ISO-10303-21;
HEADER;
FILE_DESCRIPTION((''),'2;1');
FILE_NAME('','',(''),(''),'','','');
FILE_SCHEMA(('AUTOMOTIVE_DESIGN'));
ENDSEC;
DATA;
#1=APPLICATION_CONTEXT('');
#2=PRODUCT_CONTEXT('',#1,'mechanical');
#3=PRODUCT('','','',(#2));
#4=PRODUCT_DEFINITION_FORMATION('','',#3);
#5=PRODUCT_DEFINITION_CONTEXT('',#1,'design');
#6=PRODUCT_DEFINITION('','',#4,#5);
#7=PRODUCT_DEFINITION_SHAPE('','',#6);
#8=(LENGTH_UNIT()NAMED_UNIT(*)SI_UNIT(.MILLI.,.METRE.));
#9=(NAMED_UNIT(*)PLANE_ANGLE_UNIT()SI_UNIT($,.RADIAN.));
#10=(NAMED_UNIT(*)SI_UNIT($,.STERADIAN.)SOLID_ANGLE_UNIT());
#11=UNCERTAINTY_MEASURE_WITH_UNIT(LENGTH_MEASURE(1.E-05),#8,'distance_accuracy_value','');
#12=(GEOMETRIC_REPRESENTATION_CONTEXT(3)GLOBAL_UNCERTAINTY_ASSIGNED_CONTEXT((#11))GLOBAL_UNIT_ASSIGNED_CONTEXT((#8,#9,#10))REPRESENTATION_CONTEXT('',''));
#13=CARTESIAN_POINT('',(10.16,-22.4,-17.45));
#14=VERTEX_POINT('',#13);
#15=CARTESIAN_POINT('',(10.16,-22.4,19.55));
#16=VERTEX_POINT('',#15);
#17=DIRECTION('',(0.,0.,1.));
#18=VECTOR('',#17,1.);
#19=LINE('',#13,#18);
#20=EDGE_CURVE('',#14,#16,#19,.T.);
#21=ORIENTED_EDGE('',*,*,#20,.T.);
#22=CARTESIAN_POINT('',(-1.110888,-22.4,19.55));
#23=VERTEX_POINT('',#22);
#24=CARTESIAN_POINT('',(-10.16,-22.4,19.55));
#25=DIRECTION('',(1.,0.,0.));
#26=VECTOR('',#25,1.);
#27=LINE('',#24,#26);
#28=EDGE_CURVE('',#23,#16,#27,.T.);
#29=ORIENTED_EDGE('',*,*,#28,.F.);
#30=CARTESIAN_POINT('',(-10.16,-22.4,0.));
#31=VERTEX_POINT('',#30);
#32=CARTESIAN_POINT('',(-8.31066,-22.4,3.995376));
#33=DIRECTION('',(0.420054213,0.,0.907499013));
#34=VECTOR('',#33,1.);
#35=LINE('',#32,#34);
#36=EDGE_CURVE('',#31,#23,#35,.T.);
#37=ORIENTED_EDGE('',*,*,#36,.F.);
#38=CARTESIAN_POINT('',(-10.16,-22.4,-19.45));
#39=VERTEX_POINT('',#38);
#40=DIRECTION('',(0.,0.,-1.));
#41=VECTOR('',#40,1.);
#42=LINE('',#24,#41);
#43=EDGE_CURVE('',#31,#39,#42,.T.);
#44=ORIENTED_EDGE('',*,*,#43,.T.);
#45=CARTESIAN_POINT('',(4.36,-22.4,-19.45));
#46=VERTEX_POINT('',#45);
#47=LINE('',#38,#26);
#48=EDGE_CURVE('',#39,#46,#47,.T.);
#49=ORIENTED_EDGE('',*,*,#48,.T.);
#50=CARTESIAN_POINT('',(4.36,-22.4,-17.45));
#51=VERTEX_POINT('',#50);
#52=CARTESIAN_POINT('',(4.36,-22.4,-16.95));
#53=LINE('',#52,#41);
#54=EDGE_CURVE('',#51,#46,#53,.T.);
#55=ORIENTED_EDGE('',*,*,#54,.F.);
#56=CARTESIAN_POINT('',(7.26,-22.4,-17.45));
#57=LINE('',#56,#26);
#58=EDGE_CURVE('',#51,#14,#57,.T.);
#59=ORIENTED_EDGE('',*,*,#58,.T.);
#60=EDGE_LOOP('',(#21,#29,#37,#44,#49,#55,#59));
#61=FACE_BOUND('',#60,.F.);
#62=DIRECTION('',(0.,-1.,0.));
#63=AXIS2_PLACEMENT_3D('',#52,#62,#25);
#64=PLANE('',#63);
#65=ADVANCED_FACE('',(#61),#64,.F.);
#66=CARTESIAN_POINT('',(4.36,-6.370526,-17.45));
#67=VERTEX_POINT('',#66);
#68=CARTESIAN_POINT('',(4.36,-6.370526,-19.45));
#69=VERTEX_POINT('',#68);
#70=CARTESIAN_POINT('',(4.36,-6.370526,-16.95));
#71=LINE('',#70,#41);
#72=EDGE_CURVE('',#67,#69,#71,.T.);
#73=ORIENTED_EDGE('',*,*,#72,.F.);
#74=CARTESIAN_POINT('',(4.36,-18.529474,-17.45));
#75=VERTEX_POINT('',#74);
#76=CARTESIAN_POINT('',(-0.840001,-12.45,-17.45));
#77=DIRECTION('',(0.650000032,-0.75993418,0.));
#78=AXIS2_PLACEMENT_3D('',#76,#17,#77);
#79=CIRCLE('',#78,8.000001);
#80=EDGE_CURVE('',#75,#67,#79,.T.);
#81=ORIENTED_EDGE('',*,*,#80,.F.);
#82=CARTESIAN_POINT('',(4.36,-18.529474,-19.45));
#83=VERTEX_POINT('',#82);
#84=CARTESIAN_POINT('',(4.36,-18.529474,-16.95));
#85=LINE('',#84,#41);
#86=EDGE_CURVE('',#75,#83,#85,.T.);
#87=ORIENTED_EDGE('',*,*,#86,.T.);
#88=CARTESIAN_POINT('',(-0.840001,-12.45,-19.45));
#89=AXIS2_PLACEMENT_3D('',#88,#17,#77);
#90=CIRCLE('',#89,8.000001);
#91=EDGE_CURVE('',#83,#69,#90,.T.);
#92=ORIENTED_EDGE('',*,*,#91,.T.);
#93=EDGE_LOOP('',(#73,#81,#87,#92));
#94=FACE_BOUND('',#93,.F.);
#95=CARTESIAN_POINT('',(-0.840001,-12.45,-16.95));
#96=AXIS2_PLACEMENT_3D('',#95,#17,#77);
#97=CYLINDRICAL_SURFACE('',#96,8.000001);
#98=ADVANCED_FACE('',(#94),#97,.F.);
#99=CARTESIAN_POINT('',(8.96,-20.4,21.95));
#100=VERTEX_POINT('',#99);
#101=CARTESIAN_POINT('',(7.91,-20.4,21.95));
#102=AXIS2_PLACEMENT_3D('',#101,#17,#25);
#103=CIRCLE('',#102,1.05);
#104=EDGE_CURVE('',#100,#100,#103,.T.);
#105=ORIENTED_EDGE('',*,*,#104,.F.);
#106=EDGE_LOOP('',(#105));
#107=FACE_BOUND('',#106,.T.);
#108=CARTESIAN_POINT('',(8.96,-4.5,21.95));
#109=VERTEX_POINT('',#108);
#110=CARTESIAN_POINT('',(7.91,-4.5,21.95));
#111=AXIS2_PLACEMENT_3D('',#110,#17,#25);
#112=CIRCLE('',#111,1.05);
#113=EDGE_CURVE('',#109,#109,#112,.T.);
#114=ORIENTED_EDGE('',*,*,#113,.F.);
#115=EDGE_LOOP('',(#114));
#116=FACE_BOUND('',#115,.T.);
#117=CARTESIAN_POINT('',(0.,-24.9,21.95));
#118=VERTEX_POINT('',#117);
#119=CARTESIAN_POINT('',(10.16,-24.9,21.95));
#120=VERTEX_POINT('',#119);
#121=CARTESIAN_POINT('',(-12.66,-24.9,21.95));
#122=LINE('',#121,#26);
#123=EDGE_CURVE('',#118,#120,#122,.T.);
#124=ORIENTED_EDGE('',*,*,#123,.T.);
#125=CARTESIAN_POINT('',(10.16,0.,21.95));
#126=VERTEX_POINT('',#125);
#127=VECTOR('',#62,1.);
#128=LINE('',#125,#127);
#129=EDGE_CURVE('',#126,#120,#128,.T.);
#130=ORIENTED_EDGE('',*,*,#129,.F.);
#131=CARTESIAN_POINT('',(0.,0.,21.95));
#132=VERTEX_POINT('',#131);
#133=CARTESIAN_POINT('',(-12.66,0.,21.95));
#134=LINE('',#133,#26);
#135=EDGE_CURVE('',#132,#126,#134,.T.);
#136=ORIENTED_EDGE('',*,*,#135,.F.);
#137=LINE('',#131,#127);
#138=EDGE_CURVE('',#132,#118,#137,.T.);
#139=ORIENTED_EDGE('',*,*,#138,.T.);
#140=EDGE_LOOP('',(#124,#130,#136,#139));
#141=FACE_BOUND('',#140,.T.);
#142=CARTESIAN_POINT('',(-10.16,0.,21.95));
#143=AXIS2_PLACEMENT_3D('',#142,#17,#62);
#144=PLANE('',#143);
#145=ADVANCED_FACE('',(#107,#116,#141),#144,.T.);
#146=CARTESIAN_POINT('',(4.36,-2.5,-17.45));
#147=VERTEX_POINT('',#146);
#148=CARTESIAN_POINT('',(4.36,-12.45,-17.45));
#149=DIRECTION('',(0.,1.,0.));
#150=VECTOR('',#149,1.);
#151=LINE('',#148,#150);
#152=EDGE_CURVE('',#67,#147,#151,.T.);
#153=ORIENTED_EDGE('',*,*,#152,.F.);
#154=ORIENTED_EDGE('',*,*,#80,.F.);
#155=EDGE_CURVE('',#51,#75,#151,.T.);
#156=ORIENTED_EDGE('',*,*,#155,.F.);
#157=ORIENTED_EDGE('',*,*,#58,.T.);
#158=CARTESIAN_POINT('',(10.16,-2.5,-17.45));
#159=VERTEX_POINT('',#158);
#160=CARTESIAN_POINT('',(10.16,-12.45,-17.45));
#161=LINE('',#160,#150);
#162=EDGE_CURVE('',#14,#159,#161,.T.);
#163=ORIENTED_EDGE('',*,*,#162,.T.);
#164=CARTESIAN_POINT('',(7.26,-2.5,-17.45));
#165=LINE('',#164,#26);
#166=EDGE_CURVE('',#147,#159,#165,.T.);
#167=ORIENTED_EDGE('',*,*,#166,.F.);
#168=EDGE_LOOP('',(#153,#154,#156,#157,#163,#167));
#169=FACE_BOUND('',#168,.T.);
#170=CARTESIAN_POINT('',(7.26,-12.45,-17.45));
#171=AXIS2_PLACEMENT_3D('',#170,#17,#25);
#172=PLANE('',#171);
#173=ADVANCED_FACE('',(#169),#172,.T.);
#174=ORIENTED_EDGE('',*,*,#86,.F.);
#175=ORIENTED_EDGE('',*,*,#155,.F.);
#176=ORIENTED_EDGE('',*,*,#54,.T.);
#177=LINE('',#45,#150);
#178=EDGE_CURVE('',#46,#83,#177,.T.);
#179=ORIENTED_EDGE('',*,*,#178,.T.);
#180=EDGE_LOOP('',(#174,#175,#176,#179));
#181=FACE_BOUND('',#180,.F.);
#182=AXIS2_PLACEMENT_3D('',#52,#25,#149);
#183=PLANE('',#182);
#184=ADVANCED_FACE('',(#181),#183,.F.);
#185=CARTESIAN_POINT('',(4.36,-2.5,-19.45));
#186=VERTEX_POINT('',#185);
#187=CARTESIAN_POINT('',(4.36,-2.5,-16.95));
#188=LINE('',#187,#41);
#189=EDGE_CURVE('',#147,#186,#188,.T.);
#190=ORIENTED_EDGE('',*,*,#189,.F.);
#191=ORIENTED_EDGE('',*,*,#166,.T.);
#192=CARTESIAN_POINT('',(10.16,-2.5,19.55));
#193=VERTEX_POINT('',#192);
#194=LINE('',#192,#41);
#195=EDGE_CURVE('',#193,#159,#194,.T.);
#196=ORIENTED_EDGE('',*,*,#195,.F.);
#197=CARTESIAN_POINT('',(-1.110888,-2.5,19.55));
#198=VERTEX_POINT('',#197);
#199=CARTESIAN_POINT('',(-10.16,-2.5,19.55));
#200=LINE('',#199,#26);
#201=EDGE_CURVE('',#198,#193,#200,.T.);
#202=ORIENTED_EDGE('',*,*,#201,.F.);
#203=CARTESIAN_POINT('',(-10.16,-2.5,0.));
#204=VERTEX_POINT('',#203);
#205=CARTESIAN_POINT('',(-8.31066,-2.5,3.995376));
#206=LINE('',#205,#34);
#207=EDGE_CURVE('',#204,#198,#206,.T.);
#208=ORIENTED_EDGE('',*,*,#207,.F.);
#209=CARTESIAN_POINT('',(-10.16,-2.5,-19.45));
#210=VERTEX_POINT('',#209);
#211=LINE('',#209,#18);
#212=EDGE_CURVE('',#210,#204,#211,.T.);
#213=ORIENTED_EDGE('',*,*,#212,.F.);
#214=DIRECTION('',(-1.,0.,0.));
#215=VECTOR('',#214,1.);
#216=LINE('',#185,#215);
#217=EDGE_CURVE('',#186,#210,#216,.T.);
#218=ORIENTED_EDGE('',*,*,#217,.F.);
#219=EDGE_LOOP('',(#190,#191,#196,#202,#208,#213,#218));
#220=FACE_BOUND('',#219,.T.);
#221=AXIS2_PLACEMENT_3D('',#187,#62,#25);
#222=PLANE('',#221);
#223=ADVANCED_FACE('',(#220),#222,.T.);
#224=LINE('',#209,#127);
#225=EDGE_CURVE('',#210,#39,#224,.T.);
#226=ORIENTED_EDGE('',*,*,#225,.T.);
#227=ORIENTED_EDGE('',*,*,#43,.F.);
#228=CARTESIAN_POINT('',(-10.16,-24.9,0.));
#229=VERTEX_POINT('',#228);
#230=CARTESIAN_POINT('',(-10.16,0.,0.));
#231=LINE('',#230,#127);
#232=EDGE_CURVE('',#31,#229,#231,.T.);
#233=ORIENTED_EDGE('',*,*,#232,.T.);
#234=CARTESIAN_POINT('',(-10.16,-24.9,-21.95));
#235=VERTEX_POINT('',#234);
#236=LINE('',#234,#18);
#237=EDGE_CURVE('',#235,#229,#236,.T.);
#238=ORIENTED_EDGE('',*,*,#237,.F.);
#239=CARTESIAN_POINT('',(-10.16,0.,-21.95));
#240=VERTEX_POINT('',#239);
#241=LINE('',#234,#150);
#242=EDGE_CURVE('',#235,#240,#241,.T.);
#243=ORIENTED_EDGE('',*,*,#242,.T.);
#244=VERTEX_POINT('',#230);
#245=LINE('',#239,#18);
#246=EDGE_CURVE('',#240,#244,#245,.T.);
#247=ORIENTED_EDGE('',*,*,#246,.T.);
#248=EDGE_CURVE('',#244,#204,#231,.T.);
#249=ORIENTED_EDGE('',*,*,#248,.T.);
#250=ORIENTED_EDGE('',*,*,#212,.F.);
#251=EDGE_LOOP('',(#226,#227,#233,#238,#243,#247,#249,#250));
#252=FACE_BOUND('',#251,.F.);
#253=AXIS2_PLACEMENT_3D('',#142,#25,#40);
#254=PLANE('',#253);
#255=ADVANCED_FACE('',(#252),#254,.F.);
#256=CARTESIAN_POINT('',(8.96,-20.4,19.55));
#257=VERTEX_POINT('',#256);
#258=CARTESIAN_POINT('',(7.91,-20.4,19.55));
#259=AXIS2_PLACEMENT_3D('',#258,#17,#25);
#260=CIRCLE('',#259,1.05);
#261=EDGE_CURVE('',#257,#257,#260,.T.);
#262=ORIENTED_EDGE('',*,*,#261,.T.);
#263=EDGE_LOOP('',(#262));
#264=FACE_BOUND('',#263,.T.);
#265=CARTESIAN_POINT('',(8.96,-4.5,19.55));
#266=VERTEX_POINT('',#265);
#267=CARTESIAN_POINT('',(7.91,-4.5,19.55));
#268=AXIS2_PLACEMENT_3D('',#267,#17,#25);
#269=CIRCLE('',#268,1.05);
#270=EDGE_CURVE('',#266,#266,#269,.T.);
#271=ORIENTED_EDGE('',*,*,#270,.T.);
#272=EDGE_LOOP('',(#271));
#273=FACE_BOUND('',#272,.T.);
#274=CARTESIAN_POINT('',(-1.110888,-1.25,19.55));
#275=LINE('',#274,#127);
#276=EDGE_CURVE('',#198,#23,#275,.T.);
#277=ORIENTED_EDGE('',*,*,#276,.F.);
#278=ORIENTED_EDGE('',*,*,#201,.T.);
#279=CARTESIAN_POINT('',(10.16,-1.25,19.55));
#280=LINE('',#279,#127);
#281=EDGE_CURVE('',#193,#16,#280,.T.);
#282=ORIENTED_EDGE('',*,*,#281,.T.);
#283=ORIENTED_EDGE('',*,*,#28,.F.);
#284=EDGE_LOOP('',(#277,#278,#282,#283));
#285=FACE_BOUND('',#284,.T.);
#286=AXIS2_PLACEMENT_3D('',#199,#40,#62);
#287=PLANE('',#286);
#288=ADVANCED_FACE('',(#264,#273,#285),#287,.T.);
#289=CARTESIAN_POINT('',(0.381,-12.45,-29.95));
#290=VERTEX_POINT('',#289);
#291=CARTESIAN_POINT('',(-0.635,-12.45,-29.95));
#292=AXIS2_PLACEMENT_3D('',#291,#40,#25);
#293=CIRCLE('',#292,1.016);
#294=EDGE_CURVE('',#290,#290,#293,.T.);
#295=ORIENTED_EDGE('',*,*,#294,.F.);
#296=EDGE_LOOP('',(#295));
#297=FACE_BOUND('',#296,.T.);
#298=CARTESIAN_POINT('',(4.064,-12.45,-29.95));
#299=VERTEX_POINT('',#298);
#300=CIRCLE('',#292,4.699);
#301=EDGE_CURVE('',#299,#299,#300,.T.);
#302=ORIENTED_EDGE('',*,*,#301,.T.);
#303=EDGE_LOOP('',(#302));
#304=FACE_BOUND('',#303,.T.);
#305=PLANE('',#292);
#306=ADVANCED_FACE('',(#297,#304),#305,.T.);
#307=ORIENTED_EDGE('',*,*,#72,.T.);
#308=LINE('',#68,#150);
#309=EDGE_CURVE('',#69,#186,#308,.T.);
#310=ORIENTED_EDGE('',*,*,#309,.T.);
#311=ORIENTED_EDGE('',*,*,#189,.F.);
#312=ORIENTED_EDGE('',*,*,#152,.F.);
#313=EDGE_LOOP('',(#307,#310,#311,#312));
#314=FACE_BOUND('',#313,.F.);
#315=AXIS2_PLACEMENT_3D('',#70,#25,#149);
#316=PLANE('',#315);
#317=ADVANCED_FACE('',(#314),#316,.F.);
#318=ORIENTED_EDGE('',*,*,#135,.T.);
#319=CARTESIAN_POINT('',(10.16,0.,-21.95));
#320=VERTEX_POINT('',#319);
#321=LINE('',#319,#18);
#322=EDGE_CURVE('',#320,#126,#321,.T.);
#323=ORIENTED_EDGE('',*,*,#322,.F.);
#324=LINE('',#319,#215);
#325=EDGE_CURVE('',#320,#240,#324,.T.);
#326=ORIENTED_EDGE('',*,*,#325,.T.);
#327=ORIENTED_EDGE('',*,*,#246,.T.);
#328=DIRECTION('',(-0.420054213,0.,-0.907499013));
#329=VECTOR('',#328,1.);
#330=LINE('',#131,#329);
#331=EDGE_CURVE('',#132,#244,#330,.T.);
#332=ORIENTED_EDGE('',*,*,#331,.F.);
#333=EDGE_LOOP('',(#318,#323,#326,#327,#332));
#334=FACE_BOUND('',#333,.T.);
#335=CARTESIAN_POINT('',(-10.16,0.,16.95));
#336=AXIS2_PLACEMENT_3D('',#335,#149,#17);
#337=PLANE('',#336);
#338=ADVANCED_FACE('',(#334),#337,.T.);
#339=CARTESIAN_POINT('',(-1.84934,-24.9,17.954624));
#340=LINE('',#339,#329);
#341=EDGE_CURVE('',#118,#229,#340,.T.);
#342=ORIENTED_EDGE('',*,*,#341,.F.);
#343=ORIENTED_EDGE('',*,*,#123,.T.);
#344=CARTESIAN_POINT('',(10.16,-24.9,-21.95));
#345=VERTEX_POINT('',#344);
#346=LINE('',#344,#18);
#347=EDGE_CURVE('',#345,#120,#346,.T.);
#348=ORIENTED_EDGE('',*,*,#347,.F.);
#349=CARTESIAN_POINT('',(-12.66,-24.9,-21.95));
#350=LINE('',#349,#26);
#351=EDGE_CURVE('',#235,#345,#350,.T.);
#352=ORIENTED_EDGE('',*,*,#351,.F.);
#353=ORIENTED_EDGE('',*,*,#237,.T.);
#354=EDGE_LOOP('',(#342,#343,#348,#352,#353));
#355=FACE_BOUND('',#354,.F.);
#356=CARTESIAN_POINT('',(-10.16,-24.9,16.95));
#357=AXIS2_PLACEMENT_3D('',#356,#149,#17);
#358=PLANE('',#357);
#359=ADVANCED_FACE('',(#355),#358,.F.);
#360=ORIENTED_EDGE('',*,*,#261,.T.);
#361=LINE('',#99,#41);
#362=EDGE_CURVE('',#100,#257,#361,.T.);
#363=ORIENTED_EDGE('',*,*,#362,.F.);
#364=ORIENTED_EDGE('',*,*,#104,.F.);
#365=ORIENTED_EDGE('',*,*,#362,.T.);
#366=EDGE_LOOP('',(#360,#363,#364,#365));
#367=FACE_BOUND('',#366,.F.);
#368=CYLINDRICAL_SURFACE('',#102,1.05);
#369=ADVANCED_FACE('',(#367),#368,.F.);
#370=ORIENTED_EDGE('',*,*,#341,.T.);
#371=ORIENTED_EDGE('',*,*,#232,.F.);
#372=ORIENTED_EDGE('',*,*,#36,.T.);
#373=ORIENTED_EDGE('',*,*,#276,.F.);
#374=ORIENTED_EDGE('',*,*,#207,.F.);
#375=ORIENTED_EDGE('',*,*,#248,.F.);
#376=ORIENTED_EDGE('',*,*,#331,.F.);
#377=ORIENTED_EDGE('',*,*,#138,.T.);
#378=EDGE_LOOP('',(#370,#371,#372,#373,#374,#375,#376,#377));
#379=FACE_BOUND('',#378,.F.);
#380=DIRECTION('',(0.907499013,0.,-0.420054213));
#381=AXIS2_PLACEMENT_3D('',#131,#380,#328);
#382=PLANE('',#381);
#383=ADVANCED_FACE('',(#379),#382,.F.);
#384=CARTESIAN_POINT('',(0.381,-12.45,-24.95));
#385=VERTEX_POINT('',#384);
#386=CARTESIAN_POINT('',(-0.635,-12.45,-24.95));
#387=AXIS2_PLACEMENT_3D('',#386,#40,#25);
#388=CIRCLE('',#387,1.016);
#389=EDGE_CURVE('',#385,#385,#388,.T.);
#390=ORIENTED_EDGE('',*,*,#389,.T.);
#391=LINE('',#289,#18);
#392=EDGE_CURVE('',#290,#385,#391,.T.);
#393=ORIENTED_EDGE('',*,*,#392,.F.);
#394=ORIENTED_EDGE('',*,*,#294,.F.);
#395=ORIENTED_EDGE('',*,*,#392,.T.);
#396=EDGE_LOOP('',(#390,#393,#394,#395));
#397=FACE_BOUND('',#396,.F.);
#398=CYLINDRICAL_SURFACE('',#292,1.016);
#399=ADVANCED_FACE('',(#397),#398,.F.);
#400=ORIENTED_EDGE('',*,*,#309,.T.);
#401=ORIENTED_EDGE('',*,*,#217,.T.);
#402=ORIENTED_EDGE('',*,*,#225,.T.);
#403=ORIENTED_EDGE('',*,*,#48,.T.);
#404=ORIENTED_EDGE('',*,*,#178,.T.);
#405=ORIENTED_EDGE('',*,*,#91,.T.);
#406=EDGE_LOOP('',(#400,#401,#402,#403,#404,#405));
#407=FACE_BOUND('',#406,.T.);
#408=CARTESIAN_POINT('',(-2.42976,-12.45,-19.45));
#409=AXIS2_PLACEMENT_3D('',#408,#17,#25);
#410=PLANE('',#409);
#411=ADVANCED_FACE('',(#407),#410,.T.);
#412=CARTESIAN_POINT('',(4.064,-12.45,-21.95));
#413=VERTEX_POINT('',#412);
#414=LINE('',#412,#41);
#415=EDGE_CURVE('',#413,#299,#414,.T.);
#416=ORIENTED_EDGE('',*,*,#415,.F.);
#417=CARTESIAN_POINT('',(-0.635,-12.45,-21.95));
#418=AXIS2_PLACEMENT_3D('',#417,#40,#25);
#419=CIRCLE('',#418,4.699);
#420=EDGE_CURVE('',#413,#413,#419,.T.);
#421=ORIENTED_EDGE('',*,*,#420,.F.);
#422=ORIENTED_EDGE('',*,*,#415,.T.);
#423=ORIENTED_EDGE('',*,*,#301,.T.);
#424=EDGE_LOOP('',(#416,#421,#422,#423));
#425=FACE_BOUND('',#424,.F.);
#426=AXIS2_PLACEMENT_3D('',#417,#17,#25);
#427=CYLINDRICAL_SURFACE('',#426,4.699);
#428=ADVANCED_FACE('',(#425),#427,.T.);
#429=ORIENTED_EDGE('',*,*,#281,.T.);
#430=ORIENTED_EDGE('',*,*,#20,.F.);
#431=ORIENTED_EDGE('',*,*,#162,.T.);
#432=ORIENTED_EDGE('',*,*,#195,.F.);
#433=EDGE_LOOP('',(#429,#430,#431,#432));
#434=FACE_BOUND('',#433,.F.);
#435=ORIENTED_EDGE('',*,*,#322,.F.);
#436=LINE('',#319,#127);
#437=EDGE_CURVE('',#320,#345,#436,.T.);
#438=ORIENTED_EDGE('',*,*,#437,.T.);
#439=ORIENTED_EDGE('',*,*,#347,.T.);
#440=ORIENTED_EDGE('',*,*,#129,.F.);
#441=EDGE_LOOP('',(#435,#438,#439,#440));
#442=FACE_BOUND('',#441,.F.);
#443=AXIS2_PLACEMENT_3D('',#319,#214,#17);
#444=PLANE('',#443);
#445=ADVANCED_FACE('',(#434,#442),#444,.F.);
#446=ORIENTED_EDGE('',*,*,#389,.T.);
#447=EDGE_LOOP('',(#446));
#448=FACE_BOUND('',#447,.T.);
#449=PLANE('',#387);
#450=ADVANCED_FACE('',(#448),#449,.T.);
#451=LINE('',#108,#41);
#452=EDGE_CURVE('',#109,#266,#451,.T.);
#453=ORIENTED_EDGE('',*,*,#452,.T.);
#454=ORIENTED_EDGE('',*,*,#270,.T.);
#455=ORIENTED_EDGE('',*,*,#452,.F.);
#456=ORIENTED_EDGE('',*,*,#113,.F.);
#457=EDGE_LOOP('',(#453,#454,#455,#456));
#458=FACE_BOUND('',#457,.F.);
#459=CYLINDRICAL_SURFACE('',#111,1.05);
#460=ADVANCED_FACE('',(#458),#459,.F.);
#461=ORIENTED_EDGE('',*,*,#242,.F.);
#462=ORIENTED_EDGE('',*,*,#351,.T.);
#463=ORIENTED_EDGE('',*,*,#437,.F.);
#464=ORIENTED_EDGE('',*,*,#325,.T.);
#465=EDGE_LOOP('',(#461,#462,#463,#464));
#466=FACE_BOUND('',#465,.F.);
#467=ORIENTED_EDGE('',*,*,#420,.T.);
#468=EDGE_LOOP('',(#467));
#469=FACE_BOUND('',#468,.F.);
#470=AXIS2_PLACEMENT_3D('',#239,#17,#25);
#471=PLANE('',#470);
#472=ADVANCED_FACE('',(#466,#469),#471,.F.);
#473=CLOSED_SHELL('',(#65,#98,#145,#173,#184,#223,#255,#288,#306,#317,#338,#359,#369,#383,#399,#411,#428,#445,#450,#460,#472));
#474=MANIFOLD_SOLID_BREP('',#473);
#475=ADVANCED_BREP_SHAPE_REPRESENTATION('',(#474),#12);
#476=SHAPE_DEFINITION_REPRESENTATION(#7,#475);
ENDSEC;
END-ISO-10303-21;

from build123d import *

# Parameters (mm, degrees)
F1_DEPTH  = 24.9
F2_W      = 19.9
F2_H      = 36.5
F3_DEPTH  = 25.4
F4_W      = 24.9
F4_H      = 5
F4_H_2    = 7.5
F5_DEPTH  = 2.5
F7_DEPTH  = 2.5
F8_R      = 1.05
F9_DEPTH  = 25.4
F10_R     = 4.699
F11_DEPTH = 8
F12_R     = 1.016
F13_DEPTH = 5
F14_W     = 2.5
F14_H     = 7.5
F14_H_2   = 5
F15_DEPTH = 25.4
F17_DEPTH = 25.4
F18_W     = 5.8
F18_H     = 19.9
F19_DEPTH = 0.5


with BuildPart() as f1:
    # F0 (on Front) → F1 (new body)
    with BuildSketch(Plane.XZ):
        Polygon((10.16, 21.95), (0, 21.95), (-10.16, 21.95), (-10.16, -21.95), (10.16, -21.95), (10.16, 0), align=None)
    extrude(amount=F1_DEPTH)

    # F2 (on face) → F3 (cut)
    with BuildSketch(Plane(origin=(-10.16, 0, 0), x_dir=(0, -1, 0), z_dir=(-1, 0, 0))):
        with Locations((12.45, 1.3)):
            Rectangle(F2_W, F2_H)
    extrude(amount=-F3_DEPTH, mode=Mode.SUBTRACT)

    # F4 (on face) → F5 (join)
    with BuildSketch(Plane(origin=(-10.16, 0, 0), x_dir=(0, -1, 0), z_dir=(-1, 0, 0))):
        with Locations((12.45, 19.45)):
            Rectangle(F4_W, F4_H)
        with Locations((12.45, -18.2)):
            Rectangle(F4_W, F4_H_2)
    extrude(amount=F5_DEPTH)

    # F6 (on face) → F7 (cut)
    with BuildSketch(Plane.XY.offset(-16.95)):
        with BuildLine():
            Line((4.36, -6.370526), (4.36, -2.5))
            Line((4.36, -2.5), (-10.16, -2.5))
            Line((-10.16, -2.5), (-10.16, -22.4))
            Line((-10.16, -22.4), (4.36, -22.4))
            Line((4.36, -22.4), (4.36, -18.529474))
            ThreePointArc((4.36, -18.529474), (7.16, -12.45), (4.36, -6.370526))
        make_face()
    extrude(amount=-F7_DEPTH, mode=Mode.SUBTRACT)

    # F8 (on face) → F9 (cut)
    with BuildSketch(Plane.XY.offset(21.95)):
        with Locations((7.91, -4.5)):
            Circle(F8_R)
        with Locations((7.91, -20.4)):
            Circle(F8_R)
    extrude(amount=-F9_DEPTH, mode=Mode.SUBTRACT)

    # F10 (on face) → F11 (join)
    with BuildSketch(Plane(origin=(0, 0, -21.95), x_dir=(1, 0, 0), z_dir=(0, 0, -1))):
        with Locations((-0.635, 12.45)):
            Circle(F10_R)
    extrude(amount=F11_DEPTH)

    # F12 (on face) → F13 (cut)
    with BuildSketch(Plane(origin=(0, 0, -29.95), x_dir=(1, 0, 0), z_dir=(0, 0, -1))):
        with Locations((-0.635, 12.45)):
            Circle(F12_R)
    extrude(amount=-F13_DEPTH, mode=Mode.SUBTRACT)

    # F14 (on face) → F15 (cut)
    with BuildSketch(Plane.XZ.offset(24.9)):
        with Locations((-11.41, -18.2)):
            Rectangle(F14_W, F14_H)
        with Locations((-11.41, 19.45)):
            Rectangle(F14_W, F14_H_2)
    extrude(amount=-F15_DEPTH, mode=Mode.SUBTRACT)

    # F16 (on face) → F17 (cut)
    with BuildSketch(Plane(origin=(0, 0, 0), x_dir=(-1, 0, 0), z_dir=(0, 1, 0))):
        Polygon((10.16, 21.95), (0, 21.95), (10.16, 0), align=None)
    extrude(amount=-F17_DEPTH, mode=Mode.SUBTRACT)

    # F18 (on face) → F19 (cut)
    with BuildSketch(Plane.XY.offset(-16.95)):
        with Locations((7.26, -12.45)):
            Rectangle(F18_W, F18_H)
    extrude(amount=-F19_DEPTH, mode=Mode.SUBTRACT)


solid = f1.part
